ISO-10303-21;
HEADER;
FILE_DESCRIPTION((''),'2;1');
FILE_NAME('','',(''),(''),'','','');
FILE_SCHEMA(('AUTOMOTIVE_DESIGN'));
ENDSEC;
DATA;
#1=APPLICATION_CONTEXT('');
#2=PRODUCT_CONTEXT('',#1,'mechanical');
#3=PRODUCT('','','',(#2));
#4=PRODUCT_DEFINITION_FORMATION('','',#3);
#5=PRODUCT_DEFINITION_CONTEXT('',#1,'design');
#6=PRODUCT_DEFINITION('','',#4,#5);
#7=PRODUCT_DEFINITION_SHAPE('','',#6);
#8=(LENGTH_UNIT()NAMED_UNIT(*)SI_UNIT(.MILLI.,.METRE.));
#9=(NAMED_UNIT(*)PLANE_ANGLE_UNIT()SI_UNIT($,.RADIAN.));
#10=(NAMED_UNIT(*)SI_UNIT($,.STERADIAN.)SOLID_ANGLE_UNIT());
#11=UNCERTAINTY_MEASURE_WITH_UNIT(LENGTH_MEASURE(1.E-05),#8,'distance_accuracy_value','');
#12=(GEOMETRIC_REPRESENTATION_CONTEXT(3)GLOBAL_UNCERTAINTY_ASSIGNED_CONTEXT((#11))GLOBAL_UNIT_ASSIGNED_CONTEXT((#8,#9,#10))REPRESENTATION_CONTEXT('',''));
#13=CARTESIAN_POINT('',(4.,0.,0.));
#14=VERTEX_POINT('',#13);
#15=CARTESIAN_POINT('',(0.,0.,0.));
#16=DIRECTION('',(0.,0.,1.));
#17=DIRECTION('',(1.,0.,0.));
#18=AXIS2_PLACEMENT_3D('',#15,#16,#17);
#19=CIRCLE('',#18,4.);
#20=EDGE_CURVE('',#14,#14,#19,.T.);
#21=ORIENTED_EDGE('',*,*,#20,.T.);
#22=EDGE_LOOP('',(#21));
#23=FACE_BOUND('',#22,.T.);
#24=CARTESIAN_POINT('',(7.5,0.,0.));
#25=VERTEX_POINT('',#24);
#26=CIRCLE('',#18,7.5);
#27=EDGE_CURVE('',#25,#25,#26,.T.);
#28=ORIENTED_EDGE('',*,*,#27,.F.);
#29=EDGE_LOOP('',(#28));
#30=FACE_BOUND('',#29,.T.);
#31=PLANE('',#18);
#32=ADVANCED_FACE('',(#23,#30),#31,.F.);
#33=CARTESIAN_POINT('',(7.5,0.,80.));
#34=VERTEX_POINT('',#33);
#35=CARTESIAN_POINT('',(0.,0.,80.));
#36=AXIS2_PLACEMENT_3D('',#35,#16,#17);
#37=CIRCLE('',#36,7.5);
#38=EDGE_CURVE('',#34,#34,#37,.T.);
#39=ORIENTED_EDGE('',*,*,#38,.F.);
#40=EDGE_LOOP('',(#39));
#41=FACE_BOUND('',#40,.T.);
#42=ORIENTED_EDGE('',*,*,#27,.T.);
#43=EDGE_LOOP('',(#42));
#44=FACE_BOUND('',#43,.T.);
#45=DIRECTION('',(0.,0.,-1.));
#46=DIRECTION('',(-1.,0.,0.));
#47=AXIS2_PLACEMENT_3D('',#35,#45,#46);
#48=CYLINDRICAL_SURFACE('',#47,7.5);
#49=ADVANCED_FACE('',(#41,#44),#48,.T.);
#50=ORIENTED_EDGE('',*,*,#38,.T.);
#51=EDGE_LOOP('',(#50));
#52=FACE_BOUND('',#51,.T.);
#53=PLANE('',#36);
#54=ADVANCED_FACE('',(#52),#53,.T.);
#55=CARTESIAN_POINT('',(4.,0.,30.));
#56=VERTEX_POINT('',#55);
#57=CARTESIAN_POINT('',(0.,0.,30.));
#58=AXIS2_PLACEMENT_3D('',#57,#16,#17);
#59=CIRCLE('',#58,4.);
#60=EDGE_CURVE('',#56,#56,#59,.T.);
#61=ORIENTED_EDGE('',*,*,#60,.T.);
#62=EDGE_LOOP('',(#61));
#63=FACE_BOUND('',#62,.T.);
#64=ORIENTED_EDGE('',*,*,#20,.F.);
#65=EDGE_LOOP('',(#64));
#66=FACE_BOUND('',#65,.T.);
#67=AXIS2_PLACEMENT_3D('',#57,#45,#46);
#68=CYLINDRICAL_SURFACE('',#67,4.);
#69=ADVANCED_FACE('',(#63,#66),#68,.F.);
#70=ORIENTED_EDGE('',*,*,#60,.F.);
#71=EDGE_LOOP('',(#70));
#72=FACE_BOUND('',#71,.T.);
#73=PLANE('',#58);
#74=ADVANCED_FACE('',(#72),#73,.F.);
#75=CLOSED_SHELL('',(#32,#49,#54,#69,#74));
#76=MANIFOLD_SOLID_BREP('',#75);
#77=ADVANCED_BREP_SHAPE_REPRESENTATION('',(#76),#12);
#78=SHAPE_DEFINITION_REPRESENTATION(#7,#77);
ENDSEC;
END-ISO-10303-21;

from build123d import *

# Parameters (mm, degrees)
SKETCH_2_R          = 7.5
EXTRUDE_1_DEPTH     = 80
SKETCH_2_3_R        = 4
CUT_EXTRUDE_1_DEPTH = 30


with BuildPart() as part:
    # 스케치2 → 보스-돌출1 (new body)
    with BuildSketch(Plane.XY):
        Circle(SKETCH_2_R)
    extrude(amount=EXTRUDE_1_DEPTH)

    # 스케치2<3> → 컷-돌출1 (cut)
    with BuildSketch(Plane.XY):
        Circle(SKETCH_2_3_R)
    extrude(amount=CUT_EXTRUDE_1_DEPTH, mode=Mode.SUBTRACT)


solid = part.part
